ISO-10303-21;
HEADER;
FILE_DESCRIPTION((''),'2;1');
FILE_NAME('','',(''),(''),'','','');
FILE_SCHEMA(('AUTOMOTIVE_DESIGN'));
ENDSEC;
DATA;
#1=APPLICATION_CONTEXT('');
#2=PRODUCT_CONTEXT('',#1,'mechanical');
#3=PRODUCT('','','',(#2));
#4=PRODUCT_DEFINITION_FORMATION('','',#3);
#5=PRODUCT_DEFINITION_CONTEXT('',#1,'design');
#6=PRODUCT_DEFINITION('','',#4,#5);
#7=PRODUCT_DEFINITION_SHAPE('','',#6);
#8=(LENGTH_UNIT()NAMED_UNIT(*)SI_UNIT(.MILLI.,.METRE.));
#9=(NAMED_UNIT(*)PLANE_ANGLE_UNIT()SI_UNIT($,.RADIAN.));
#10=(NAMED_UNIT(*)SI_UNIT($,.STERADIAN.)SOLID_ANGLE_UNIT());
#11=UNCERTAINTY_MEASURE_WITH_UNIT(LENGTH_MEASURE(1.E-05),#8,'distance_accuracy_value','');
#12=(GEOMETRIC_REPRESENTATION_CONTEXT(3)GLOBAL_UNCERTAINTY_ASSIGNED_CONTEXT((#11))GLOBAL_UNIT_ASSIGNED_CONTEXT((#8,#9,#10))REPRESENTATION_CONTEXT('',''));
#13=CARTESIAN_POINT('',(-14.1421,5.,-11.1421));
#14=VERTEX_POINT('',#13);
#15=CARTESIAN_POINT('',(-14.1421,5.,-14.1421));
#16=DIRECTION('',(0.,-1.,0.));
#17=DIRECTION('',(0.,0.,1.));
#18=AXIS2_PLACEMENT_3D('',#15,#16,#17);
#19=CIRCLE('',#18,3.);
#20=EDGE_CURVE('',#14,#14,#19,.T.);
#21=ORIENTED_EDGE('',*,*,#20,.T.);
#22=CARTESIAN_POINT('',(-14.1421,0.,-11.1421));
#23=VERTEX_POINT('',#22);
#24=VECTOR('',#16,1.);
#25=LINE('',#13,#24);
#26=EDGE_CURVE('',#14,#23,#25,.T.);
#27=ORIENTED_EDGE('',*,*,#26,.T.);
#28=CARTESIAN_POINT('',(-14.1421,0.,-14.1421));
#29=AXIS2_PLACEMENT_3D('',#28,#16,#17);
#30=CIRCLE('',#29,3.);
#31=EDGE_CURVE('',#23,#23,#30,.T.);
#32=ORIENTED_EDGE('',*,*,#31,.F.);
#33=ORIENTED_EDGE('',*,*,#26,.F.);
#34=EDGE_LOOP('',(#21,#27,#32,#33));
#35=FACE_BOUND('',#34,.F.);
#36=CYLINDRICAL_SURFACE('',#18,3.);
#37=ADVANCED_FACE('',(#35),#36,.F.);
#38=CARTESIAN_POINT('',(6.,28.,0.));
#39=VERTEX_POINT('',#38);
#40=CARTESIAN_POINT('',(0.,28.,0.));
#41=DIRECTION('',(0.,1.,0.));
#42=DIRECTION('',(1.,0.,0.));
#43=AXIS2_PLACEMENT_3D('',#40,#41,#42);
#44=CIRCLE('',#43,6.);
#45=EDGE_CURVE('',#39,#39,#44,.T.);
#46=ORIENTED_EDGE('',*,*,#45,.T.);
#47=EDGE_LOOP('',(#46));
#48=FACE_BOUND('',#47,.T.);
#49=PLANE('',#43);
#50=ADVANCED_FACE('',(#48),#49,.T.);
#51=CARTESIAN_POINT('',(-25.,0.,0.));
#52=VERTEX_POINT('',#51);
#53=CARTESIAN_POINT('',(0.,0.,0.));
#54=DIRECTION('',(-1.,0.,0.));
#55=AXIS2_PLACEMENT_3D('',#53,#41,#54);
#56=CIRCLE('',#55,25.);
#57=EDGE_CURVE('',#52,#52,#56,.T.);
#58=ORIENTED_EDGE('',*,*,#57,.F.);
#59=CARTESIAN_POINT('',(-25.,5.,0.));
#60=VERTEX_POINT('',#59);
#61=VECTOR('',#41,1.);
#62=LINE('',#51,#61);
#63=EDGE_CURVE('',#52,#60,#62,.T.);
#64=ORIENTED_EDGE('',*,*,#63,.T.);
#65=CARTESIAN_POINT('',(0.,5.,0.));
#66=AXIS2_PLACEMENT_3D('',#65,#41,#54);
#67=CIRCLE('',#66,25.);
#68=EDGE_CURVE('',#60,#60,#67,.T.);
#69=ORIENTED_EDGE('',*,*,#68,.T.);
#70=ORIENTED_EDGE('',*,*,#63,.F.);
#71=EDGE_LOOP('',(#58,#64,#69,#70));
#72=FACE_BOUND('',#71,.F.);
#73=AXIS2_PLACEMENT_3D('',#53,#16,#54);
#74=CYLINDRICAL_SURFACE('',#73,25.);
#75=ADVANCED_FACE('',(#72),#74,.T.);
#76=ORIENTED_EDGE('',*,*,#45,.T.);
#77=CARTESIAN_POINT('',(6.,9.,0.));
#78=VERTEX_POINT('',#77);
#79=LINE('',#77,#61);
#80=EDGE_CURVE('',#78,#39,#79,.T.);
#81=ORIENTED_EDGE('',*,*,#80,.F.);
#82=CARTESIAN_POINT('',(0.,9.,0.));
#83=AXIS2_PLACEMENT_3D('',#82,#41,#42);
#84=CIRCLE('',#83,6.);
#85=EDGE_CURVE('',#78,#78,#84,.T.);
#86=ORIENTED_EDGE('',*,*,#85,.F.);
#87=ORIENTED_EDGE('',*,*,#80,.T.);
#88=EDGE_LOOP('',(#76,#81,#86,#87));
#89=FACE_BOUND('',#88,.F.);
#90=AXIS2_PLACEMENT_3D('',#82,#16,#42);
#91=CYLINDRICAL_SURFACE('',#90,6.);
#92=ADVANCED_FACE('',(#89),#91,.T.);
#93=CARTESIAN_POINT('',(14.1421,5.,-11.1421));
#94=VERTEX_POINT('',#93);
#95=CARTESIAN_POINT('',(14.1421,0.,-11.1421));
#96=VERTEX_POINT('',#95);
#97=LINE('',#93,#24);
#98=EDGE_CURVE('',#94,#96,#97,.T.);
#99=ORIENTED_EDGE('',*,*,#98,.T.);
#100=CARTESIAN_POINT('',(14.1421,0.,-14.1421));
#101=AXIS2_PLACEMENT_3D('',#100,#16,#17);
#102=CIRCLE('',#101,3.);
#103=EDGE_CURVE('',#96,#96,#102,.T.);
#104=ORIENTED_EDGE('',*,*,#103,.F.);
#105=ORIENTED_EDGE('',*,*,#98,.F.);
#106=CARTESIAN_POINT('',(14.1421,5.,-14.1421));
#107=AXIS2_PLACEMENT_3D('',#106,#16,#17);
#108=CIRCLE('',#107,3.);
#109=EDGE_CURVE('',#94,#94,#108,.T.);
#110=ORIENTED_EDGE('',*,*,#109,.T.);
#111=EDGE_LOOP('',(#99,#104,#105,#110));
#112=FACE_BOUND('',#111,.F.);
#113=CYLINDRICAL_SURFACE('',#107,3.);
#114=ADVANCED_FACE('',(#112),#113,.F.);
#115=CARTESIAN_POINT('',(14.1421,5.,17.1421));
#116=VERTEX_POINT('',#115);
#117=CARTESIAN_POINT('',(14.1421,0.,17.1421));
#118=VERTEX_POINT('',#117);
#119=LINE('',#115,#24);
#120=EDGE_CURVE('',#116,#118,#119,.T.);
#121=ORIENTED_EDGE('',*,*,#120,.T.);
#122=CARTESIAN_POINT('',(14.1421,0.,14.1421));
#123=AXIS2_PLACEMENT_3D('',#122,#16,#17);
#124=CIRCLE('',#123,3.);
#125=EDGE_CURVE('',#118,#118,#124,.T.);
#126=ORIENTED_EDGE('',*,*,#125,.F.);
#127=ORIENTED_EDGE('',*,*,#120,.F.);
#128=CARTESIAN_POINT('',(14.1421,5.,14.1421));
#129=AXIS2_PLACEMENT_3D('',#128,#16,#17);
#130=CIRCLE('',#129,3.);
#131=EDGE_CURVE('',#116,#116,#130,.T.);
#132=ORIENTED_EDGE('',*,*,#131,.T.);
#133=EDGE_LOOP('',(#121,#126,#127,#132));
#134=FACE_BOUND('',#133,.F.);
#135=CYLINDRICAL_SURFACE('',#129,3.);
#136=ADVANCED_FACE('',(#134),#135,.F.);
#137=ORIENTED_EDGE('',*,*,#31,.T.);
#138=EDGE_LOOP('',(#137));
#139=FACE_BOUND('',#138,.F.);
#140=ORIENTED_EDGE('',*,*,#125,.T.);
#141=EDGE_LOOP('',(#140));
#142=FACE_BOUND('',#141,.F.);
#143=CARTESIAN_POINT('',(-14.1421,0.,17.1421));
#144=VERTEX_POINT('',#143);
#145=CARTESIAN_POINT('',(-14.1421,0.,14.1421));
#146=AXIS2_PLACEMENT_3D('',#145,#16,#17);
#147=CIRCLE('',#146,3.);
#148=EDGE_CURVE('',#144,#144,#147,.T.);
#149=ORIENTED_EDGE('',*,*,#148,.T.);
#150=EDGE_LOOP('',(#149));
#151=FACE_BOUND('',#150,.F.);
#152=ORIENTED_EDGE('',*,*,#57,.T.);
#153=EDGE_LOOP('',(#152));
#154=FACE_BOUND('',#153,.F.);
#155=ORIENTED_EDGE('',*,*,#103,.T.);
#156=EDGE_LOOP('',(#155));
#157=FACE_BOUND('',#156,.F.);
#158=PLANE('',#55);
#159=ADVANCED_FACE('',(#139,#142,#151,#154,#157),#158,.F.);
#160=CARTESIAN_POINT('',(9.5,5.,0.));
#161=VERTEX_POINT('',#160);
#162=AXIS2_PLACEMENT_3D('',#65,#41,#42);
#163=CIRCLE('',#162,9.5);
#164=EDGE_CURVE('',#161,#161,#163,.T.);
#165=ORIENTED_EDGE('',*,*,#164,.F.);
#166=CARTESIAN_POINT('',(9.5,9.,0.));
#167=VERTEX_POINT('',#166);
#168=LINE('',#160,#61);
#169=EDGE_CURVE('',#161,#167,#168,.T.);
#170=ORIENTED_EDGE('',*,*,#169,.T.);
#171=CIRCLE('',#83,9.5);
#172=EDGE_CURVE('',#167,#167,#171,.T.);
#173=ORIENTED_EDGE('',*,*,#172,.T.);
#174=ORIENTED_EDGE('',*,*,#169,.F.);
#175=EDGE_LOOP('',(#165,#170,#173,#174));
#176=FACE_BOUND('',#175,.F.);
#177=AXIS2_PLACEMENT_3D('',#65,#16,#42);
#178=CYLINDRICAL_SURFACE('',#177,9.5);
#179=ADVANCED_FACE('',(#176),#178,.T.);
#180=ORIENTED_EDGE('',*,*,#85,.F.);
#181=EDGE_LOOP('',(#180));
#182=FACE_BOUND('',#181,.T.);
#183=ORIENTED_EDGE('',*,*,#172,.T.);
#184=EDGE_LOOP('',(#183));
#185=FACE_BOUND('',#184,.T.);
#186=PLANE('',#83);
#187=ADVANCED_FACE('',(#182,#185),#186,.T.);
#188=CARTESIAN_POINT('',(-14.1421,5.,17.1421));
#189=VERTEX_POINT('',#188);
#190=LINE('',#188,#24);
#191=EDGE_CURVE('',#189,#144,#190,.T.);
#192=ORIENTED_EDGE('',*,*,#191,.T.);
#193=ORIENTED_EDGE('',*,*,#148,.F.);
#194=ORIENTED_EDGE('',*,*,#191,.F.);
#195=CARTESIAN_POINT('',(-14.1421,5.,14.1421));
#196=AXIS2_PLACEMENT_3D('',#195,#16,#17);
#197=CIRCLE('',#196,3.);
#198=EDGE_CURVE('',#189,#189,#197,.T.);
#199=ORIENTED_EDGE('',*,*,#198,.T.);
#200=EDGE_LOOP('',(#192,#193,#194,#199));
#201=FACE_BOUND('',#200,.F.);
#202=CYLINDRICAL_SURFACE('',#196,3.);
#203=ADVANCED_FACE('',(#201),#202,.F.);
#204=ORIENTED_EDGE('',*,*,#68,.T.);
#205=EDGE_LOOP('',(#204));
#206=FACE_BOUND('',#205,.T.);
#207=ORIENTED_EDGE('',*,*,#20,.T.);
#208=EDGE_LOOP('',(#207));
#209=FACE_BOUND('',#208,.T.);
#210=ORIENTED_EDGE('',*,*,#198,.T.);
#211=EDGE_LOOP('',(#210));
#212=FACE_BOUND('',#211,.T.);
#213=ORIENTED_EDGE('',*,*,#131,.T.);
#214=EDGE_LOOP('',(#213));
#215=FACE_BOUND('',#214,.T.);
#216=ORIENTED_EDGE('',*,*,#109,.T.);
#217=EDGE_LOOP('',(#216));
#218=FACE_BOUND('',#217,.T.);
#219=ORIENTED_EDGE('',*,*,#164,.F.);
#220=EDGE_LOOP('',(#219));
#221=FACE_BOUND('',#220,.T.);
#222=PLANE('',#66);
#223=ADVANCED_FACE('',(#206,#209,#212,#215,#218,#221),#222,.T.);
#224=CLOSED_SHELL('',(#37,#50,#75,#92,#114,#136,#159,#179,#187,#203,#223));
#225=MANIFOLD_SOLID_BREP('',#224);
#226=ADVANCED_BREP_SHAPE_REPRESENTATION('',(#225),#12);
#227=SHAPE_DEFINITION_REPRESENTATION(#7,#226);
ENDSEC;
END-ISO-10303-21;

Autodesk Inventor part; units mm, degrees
ref_plane "YZ Plane" through (0, 0, 0) normal (1, 0, 0) x (0, 1, 0)
ref_plane "XZ Plane" through (0, 0, 0) normal (0, 1, 0) x (-1, 0, 0)
ref_plane "XY Plane" through (0, 0, 0) normal (0, 0, 1) x (1, 0, 0)
sketch "Sketch1" plane through (0, 0, 0) normal (0, 1, 0) x (-1, 0, 0)
  circle A0 centre (0, 0) radius 25
  dimension "d0" = 50
extrude "Extrusion1" add sketch "Sketch1" along normal blind 5
sketch "Sketch2" plane through (0, 5, 0) normal (0, 1, 0) x (1, 0, 0)
  line L0 (0, 0) -> (-14.1421, -14.1421) construction
  line L1 (0, 0) -> (20, 0) construction
  point P0 (14.1421, -14.1421)
  point P1 (14.1421, 14.1421)
  point P2 (-14.1421, 14.1421)
  dimension "d3" = 20
  dimension "d4" = 135
  dimension "d7" = 360
hole "Hole1" at (-14.1421, 5, 14.1421) at (14.1421, 5, 14.1421) at (14.1421, 5, -14.1421) at (-14.1421, 5, -14.1421) direction (0, -1, 0) diameter 6 end through all
sketch "Sketch3" plane through (0, 5, 0) normal (0, 1, 0) x (1, 0, 0)
  circle A0 centre (0, 0) radius 9.5
  dimension "d16" = 19
extrude "Extrusion2" add sketch "Sketch3" along normal blind 4
sketch "Sketch4" plane through (0, 9, 0) normal (0, 1, 0) x (1, 0, 0)
  circle A0 centre (0, 0) radius 6
  dimension "d19" = 12
extrude "Extrusion3" add sketch "Sketch4" along normal blind 19
thread "Thread1" size "M12x1.75" class "6g" standard "ANSI Metric M Profile" full length
properties part number "PortaMandril"
